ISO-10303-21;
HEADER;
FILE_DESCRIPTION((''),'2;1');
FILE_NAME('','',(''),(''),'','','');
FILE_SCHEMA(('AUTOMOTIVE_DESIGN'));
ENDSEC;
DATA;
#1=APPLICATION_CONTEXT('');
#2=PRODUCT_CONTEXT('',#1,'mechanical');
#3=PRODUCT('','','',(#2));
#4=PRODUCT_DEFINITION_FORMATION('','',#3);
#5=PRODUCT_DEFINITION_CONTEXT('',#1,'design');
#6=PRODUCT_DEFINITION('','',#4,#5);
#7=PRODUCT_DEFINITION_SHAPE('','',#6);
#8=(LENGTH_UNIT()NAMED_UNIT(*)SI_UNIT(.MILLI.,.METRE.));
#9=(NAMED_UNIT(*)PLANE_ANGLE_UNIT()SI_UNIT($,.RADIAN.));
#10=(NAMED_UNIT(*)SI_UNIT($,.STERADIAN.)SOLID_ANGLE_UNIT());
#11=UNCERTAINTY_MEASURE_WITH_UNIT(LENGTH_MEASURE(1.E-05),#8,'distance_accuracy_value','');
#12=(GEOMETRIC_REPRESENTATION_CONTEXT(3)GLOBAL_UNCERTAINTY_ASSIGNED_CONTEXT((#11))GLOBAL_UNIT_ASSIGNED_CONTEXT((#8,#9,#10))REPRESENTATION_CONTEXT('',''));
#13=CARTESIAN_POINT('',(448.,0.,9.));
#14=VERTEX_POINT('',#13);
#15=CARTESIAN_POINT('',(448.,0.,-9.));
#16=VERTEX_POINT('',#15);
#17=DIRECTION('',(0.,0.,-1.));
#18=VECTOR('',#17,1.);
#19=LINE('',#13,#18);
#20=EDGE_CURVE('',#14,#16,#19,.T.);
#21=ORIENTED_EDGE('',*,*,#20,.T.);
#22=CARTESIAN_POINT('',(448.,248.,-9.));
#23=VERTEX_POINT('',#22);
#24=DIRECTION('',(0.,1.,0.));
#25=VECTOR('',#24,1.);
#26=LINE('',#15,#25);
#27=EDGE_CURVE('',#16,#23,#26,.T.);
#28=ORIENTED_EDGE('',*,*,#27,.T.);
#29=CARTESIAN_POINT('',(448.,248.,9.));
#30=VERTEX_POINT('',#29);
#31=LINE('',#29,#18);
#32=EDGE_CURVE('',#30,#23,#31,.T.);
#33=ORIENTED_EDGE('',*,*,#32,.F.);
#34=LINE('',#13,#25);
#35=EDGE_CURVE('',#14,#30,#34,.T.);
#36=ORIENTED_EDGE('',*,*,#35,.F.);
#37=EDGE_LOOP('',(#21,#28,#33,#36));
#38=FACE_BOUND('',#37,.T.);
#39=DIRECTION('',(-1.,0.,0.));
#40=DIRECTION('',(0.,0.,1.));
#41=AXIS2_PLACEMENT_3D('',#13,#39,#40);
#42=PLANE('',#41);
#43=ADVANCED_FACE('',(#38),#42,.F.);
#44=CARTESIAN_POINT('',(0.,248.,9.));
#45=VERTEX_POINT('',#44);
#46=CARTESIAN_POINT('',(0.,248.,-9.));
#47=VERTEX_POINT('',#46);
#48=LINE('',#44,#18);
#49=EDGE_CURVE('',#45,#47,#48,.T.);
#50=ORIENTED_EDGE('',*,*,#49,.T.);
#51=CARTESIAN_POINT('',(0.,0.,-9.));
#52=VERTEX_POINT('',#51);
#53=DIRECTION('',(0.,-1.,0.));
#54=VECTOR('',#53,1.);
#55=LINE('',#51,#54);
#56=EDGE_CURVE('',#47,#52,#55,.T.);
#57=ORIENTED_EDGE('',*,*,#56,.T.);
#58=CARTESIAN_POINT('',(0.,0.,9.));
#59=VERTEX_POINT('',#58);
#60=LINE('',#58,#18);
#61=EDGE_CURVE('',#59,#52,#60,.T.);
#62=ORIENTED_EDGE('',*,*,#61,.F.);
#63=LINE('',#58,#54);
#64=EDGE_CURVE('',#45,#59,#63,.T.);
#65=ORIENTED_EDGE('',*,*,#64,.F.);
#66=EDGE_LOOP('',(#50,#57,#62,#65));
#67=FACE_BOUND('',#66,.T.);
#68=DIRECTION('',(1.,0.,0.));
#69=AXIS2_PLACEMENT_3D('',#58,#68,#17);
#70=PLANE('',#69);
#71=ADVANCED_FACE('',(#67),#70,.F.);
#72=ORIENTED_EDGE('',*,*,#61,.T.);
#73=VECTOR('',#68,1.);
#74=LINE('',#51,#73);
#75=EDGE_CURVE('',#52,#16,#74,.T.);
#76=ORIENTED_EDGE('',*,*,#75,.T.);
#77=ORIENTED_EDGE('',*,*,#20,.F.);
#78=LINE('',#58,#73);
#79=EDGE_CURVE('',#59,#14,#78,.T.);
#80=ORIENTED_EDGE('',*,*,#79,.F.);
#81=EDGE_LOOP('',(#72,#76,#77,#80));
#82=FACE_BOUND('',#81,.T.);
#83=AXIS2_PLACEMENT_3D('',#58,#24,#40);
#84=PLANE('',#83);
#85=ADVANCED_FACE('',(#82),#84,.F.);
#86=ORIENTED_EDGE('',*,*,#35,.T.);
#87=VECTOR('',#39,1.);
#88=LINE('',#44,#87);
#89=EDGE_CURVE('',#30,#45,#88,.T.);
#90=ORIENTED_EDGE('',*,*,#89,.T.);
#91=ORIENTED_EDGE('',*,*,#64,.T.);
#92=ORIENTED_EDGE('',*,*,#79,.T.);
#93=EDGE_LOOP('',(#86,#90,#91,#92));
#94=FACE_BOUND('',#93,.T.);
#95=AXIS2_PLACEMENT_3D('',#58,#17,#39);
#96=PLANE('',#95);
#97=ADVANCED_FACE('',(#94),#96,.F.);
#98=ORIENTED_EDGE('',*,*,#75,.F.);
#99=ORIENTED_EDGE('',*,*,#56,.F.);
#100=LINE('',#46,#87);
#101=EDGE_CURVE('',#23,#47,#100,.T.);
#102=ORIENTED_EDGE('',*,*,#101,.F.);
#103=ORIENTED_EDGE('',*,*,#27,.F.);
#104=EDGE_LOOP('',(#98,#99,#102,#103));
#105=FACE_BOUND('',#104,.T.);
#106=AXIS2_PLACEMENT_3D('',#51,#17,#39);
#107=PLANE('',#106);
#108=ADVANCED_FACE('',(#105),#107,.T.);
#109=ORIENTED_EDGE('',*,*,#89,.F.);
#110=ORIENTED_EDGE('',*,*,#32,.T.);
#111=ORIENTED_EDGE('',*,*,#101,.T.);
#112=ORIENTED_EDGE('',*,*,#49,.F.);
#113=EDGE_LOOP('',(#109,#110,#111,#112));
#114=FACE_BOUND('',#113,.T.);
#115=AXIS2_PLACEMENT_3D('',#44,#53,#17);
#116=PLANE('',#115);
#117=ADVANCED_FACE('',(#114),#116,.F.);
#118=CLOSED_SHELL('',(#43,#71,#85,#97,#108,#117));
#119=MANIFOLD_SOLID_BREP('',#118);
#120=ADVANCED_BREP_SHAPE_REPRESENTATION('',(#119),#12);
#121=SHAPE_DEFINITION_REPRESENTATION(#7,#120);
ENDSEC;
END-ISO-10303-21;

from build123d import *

# Parameters (mm, degrees)
SKETCH1_W           = 448
SKETCH1_H           = 248
BOSS_EXTRUDE1_DEPTH = 9


with BuildPart() as part:
    # Sketch1 → Boss-Extrude1 (new, symmetric)
    with BuildSketch(Plane.XY):
        with Locations((224, 124)):
            Rectangle(SKETCH1_W, SKETCH1_H)
    extrude(amount=BOSS_EXTRUDE1_DEPTH, both=True)


solid = part.part
